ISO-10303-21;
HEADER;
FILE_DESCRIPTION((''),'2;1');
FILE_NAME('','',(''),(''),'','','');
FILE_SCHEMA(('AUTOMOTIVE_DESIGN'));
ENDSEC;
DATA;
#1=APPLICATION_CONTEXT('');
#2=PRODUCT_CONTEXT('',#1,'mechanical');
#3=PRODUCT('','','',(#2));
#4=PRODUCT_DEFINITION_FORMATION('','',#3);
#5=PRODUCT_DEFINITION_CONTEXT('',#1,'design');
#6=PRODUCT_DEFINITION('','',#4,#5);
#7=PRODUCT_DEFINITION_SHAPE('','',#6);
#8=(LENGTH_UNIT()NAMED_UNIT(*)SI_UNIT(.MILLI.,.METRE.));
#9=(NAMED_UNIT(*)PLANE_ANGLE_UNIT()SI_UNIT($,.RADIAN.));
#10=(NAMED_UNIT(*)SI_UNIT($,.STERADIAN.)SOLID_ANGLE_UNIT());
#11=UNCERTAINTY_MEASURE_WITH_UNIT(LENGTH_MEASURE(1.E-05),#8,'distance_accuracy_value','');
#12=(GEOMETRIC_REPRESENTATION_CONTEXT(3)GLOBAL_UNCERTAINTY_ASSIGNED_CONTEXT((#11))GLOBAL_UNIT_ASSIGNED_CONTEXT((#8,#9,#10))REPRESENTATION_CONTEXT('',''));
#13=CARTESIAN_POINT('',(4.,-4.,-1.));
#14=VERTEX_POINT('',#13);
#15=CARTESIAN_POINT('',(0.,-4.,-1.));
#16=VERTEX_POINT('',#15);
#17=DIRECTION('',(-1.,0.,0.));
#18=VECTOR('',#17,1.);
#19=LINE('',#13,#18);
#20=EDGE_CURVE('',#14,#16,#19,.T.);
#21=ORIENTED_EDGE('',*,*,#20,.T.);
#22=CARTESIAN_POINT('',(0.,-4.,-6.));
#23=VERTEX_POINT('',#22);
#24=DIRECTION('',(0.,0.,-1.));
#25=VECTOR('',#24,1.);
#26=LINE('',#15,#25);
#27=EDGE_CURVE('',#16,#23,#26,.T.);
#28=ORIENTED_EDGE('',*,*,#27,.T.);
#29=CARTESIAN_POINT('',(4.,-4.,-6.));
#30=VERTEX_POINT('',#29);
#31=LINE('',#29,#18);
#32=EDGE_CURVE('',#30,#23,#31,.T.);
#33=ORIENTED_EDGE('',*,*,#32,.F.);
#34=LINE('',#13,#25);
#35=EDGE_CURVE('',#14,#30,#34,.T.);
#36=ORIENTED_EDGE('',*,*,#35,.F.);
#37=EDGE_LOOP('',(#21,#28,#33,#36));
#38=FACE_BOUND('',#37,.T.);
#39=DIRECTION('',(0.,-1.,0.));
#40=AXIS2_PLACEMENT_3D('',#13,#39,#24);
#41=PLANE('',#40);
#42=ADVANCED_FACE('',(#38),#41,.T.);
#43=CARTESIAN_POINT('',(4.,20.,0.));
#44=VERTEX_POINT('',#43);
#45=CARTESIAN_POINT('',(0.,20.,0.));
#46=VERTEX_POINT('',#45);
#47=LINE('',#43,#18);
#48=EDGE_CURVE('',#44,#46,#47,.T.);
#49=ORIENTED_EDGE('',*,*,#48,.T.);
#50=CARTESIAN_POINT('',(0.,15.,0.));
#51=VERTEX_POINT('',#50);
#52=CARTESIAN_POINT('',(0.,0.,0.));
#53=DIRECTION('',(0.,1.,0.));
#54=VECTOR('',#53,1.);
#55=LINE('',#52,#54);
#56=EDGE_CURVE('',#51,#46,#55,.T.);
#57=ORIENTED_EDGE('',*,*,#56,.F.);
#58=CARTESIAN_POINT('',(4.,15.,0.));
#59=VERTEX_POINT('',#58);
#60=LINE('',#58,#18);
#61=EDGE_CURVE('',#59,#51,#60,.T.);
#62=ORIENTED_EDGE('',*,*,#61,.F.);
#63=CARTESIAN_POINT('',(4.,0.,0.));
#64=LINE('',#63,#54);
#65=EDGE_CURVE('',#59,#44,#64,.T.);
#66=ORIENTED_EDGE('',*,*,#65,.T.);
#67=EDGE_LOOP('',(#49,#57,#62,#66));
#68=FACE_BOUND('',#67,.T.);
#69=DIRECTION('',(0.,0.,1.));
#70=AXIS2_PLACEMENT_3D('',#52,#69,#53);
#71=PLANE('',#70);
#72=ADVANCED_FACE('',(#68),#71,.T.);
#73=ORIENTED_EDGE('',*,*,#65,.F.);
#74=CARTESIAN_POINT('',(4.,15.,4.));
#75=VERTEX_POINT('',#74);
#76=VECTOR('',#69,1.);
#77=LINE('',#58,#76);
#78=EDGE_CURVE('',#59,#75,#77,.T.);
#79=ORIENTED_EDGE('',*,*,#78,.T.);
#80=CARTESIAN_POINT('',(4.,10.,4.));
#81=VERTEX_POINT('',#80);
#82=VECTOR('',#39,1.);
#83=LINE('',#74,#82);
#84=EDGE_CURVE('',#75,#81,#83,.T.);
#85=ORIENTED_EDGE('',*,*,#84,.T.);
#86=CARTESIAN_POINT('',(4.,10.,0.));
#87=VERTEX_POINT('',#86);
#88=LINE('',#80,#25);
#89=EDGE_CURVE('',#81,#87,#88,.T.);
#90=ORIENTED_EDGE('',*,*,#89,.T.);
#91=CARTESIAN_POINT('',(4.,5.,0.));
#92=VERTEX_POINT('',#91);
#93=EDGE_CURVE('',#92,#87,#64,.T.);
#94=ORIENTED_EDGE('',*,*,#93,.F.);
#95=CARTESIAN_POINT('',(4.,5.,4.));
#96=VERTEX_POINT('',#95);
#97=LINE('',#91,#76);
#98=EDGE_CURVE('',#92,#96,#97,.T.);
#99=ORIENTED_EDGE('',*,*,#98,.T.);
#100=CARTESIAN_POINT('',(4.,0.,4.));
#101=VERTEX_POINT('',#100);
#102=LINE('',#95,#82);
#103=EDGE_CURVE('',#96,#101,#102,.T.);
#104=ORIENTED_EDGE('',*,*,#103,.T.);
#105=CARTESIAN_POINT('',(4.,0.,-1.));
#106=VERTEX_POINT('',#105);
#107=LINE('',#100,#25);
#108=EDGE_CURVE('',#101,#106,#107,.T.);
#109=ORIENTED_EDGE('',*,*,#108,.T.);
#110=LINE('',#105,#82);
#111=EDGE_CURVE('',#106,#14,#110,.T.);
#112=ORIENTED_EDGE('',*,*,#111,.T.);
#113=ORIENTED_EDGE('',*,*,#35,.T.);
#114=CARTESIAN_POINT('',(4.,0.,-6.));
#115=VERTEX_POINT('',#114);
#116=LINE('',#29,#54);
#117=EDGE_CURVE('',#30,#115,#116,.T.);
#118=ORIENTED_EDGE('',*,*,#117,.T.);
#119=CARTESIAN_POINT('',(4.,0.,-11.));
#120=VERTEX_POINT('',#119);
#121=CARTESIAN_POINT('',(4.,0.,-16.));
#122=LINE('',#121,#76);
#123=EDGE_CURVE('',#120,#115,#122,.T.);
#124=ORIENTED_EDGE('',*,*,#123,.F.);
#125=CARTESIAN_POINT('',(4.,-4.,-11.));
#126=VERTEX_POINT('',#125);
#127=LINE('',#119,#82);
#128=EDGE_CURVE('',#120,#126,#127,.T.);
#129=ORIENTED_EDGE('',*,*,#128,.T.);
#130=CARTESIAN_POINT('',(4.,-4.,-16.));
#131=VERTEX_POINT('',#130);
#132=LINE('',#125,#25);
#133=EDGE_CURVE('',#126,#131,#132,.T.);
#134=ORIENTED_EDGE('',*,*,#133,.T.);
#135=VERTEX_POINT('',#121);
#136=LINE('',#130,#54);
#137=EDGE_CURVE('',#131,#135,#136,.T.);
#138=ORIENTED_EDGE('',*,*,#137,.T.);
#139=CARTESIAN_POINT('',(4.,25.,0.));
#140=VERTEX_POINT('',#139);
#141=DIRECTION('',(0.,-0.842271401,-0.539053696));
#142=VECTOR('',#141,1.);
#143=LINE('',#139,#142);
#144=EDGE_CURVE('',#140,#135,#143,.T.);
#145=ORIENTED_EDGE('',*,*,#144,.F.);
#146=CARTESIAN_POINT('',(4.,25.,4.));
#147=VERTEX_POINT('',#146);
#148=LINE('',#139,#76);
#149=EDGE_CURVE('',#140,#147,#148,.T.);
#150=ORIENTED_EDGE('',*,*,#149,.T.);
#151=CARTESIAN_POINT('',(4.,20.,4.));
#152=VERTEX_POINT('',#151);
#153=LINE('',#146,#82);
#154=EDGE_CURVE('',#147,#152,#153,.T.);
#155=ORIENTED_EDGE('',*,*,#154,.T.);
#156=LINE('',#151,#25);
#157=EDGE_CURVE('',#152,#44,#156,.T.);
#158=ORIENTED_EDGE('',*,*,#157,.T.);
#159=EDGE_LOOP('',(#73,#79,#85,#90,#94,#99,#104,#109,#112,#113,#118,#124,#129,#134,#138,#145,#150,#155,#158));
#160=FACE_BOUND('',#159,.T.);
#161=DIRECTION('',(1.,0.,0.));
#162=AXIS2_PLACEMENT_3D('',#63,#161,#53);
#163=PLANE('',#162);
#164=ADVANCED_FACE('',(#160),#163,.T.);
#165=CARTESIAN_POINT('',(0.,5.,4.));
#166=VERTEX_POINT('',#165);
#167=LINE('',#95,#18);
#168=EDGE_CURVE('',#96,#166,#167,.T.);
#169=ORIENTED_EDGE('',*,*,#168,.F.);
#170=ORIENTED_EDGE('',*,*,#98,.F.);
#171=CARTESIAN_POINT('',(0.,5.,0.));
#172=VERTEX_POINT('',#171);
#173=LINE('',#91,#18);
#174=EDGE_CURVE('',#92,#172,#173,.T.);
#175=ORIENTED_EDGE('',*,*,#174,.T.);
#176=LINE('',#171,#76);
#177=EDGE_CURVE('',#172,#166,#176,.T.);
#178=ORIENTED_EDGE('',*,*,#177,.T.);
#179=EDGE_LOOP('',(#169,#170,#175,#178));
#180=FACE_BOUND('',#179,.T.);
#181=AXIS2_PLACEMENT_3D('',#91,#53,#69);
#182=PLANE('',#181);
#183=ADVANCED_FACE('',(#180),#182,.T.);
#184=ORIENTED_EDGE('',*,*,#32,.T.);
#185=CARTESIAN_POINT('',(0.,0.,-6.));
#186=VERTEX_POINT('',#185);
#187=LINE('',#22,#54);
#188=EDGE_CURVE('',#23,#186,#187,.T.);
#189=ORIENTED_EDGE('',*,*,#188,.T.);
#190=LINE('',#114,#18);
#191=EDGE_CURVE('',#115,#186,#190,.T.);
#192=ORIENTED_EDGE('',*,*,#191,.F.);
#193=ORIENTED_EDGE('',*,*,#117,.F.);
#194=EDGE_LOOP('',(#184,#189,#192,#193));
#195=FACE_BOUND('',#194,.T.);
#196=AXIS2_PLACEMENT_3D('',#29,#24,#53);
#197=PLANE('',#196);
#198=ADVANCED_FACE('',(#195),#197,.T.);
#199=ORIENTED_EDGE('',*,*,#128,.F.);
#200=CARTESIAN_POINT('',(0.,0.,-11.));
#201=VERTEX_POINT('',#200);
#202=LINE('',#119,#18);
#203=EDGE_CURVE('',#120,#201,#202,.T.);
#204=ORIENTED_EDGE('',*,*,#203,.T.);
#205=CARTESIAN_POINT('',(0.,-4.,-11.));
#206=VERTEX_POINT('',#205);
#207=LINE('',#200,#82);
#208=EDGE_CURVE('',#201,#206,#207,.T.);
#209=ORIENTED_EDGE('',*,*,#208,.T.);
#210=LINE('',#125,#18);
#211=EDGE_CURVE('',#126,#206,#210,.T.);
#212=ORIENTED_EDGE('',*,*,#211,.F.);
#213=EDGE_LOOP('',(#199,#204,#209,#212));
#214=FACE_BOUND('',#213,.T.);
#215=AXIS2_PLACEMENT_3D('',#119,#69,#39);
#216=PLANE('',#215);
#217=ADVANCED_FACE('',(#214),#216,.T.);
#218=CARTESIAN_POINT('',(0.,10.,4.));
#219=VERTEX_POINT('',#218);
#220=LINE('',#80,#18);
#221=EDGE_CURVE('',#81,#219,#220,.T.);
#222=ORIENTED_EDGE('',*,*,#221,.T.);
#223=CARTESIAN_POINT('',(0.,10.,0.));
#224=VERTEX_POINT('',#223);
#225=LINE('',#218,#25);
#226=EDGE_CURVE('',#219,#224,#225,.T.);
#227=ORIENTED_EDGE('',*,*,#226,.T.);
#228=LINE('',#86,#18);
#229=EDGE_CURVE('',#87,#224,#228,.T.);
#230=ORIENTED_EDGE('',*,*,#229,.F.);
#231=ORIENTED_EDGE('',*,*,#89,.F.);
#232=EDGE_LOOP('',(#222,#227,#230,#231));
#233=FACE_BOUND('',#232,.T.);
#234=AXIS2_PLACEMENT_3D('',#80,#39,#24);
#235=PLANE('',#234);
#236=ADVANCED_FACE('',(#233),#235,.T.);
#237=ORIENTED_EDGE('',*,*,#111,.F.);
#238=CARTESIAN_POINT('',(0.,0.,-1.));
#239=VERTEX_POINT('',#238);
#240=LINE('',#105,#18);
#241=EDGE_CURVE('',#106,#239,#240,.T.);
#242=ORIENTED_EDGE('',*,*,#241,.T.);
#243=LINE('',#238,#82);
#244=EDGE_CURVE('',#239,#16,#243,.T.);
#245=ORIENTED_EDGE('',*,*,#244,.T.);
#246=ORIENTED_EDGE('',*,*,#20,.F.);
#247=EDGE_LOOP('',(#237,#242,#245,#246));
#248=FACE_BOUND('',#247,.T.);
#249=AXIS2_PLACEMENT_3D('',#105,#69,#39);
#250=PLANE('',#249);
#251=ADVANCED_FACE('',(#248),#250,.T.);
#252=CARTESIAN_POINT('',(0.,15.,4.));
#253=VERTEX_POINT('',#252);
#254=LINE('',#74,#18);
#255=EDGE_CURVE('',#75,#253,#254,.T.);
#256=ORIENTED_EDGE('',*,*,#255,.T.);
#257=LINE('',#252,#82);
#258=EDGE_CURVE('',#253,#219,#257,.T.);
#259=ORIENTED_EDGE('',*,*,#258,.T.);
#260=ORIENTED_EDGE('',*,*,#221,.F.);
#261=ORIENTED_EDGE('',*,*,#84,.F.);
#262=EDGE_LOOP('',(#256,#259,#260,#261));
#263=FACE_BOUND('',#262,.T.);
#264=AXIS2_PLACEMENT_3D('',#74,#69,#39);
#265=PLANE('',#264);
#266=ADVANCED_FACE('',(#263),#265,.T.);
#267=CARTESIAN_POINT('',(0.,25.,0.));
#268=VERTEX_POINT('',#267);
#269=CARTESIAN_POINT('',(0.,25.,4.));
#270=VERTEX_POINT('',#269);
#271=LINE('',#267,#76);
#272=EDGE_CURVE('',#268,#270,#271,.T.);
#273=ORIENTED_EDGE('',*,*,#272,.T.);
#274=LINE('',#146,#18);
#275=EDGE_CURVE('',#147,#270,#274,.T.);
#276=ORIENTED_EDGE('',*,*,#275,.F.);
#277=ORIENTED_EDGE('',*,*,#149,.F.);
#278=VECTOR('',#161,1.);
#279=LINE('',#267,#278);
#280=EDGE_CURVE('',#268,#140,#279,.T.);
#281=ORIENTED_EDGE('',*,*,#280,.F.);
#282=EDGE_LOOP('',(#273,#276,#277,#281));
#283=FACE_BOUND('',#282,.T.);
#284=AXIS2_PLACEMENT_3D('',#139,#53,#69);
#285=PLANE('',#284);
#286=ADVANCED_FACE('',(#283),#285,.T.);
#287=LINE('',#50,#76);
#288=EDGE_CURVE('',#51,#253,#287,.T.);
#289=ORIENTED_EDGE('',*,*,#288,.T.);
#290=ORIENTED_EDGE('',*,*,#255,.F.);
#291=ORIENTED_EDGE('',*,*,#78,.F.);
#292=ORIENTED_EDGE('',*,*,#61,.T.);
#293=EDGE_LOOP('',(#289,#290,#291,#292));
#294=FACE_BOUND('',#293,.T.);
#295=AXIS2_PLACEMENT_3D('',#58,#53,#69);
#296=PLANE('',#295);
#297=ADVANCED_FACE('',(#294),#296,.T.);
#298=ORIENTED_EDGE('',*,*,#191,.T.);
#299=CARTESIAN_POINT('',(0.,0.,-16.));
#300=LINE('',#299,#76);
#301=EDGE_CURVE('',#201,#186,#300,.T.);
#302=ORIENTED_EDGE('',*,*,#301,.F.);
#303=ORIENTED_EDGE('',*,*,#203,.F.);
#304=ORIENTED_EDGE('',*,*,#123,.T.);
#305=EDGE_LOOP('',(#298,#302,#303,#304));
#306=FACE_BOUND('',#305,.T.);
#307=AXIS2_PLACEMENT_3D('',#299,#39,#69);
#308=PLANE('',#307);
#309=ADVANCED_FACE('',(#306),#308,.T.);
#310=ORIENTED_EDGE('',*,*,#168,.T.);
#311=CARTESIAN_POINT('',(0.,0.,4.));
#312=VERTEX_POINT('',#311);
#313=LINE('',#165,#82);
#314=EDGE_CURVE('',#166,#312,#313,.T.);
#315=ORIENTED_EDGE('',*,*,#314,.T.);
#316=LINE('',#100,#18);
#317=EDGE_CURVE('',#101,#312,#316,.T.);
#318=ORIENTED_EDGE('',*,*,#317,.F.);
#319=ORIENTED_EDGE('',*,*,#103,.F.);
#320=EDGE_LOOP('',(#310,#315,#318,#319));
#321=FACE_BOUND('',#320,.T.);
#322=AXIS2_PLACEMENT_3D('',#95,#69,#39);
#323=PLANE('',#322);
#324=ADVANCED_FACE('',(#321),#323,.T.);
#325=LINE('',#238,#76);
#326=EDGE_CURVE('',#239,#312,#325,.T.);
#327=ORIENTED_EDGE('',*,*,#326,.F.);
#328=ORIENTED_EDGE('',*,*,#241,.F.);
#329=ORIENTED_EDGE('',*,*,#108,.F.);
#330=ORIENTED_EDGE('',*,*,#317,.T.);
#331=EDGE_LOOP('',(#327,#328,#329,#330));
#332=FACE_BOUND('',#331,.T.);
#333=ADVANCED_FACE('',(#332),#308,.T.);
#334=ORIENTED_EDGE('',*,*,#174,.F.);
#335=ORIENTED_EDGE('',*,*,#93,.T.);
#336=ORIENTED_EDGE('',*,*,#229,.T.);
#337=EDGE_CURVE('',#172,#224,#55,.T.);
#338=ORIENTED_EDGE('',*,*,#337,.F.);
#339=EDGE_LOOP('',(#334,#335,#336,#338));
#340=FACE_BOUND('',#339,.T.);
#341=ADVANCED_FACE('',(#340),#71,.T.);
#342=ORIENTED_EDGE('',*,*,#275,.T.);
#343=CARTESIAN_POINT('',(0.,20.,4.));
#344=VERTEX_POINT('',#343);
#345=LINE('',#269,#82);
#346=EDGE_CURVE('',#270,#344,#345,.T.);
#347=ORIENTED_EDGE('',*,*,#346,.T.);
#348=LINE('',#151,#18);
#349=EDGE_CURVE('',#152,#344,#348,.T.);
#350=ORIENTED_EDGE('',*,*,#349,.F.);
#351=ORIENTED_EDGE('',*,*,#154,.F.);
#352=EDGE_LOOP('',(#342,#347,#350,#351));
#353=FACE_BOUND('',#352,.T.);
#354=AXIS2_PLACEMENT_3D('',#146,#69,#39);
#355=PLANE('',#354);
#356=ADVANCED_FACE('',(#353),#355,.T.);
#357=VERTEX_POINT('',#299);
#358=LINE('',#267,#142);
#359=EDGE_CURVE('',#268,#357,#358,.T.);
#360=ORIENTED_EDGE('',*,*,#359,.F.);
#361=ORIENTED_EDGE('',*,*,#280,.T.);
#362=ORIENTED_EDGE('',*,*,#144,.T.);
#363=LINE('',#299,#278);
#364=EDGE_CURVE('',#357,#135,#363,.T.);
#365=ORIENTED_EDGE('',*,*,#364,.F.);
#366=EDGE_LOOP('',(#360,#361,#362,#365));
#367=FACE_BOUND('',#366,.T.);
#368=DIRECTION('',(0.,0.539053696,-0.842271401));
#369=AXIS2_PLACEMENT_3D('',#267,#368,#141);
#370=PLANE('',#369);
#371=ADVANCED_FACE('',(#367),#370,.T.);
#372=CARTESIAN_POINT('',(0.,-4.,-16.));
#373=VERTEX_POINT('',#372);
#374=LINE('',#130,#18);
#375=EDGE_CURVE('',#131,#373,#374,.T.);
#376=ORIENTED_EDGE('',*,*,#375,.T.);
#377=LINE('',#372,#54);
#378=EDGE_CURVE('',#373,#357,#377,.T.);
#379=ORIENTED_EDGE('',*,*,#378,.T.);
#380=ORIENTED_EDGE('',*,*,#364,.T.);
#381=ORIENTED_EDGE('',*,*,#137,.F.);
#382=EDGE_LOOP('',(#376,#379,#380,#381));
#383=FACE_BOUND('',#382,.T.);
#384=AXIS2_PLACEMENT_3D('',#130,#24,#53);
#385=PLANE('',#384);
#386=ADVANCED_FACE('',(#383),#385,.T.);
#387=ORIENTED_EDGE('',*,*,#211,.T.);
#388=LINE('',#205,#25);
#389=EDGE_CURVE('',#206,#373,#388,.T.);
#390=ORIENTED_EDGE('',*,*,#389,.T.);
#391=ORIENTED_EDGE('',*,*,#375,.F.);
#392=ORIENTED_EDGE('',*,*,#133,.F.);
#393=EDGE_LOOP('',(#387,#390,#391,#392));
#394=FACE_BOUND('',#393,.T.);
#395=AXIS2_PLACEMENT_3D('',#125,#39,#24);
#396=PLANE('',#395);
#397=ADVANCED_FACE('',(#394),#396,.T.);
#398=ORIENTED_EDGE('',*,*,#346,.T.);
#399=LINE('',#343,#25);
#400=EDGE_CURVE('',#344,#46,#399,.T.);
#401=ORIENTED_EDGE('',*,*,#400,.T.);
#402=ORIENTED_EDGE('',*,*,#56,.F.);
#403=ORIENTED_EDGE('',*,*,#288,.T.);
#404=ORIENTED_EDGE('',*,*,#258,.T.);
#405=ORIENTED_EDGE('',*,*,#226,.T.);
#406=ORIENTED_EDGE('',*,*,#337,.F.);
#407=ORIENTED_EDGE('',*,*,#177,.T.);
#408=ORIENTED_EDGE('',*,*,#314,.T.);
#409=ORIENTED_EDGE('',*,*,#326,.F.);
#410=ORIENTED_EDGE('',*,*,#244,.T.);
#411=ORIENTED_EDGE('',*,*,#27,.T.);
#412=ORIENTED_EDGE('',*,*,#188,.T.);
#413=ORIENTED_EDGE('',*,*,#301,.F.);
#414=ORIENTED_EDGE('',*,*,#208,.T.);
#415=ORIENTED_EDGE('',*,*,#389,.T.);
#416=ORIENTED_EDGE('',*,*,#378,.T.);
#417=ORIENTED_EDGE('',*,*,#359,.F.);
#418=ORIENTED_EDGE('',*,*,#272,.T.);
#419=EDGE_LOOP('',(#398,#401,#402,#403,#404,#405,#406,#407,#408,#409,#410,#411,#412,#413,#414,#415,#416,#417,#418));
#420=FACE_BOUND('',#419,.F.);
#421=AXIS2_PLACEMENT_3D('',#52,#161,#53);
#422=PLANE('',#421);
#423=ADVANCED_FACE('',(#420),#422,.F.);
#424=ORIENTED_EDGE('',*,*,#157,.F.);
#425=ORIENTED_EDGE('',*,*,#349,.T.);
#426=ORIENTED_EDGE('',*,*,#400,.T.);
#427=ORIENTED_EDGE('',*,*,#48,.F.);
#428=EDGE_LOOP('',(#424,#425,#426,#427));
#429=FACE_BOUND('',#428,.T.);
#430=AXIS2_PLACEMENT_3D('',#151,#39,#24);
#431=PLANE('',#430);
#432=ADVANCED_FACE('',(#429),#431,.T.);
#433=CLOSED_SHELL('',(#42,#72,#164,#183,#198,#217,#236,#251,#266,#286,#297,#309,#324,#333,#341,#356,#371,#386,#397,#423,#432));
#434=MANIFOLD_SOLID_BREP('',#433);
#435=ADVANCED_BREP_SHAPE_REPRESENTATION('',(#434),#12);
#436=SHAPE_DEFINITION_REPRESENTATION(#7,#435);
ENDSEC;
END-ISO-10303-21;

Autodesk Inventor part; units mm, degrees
ref_plane "YZ Plane" through (0, 0, 0) normal (1, 0, 0) x (0, 1, 0)
ref_plane "XZ Plane" through (0, 0, 0) normal (0, 1, 0) x (-1, 0, 0)
ref_plane "XY Plane" through (0, 0, 0) normal (0, 0, 1) x (1, 0, 0)
sketch "Schizzo1" plane through (0, 0, 0) normal (1, 0, 0) x (0, 1, 0)
  line L0 (0, 0) -> (25, 0)
  line L1 (25, 0) -> (0, -16)
  line L2 (0, -16) -> (0, 0)
  dimension "d0" = 16
  dimension "d1" = 25
extrude "Estrusione1" add sketch "Schizzo1" along normal blind 4
sketch "Schizzo2" plane through (4, 0, 0) normal (1, 0, 0) x (0, 0, -1)
  line L0 (0, 0) -> (16, 0) projected
  line L1 (16, 0) -> (11, 0)
  line L2 (11, 0) -> (11, -4)
  line L3 (11, -4) -> (16, -4)
  line L4 (16, -4) -> (16, 0)
  line L5 (11, 0) -> (6, 0)
  line L6 (6, 0) -> (1, 0)
  line L7 (1, 0) -> (1, -4)
  line L8 (1, -4) -> (6, -4)
  line L9 (6, -4) -> (6, 0)
  line L10 (0, 25) -> (0, 0) projected
  line L11 (0, 0) -> (0, 5)
  line L12 (0, 5) -> (-4, 5)
  line L13 (-4, 5) -> (-4, 0)
  line L14 (-4, 0) -> (0, 0)
  line L15 (0, 15) -> (-4, 15)
  line L16 (-4, 15) -> (-4, 10)
  line L17 (-4, 10) -> (0, 10)
  line L18 (0, 10) -> (0, 15)
  line L19 (0, 25) -> (-4, 25)
  line L20 (-4, 25) -> (-4, 20)
  line L21 (-4, 20) -> (0, 20)
  line L22 (0, 20) -> (0, 25)
  dimension "d4" = 5
  dimension "d5" = 4
  dimension "d6" = 5
  dimension "d7" = 5
  dimension "d8" = 4
  dimension "d9" = 5
  dimension "d10" = 4
  dimension "d13" = 10
extrude "Estrusione2" add sketch "Schizzo2" against normal blind 4
properties part number "laterali"
